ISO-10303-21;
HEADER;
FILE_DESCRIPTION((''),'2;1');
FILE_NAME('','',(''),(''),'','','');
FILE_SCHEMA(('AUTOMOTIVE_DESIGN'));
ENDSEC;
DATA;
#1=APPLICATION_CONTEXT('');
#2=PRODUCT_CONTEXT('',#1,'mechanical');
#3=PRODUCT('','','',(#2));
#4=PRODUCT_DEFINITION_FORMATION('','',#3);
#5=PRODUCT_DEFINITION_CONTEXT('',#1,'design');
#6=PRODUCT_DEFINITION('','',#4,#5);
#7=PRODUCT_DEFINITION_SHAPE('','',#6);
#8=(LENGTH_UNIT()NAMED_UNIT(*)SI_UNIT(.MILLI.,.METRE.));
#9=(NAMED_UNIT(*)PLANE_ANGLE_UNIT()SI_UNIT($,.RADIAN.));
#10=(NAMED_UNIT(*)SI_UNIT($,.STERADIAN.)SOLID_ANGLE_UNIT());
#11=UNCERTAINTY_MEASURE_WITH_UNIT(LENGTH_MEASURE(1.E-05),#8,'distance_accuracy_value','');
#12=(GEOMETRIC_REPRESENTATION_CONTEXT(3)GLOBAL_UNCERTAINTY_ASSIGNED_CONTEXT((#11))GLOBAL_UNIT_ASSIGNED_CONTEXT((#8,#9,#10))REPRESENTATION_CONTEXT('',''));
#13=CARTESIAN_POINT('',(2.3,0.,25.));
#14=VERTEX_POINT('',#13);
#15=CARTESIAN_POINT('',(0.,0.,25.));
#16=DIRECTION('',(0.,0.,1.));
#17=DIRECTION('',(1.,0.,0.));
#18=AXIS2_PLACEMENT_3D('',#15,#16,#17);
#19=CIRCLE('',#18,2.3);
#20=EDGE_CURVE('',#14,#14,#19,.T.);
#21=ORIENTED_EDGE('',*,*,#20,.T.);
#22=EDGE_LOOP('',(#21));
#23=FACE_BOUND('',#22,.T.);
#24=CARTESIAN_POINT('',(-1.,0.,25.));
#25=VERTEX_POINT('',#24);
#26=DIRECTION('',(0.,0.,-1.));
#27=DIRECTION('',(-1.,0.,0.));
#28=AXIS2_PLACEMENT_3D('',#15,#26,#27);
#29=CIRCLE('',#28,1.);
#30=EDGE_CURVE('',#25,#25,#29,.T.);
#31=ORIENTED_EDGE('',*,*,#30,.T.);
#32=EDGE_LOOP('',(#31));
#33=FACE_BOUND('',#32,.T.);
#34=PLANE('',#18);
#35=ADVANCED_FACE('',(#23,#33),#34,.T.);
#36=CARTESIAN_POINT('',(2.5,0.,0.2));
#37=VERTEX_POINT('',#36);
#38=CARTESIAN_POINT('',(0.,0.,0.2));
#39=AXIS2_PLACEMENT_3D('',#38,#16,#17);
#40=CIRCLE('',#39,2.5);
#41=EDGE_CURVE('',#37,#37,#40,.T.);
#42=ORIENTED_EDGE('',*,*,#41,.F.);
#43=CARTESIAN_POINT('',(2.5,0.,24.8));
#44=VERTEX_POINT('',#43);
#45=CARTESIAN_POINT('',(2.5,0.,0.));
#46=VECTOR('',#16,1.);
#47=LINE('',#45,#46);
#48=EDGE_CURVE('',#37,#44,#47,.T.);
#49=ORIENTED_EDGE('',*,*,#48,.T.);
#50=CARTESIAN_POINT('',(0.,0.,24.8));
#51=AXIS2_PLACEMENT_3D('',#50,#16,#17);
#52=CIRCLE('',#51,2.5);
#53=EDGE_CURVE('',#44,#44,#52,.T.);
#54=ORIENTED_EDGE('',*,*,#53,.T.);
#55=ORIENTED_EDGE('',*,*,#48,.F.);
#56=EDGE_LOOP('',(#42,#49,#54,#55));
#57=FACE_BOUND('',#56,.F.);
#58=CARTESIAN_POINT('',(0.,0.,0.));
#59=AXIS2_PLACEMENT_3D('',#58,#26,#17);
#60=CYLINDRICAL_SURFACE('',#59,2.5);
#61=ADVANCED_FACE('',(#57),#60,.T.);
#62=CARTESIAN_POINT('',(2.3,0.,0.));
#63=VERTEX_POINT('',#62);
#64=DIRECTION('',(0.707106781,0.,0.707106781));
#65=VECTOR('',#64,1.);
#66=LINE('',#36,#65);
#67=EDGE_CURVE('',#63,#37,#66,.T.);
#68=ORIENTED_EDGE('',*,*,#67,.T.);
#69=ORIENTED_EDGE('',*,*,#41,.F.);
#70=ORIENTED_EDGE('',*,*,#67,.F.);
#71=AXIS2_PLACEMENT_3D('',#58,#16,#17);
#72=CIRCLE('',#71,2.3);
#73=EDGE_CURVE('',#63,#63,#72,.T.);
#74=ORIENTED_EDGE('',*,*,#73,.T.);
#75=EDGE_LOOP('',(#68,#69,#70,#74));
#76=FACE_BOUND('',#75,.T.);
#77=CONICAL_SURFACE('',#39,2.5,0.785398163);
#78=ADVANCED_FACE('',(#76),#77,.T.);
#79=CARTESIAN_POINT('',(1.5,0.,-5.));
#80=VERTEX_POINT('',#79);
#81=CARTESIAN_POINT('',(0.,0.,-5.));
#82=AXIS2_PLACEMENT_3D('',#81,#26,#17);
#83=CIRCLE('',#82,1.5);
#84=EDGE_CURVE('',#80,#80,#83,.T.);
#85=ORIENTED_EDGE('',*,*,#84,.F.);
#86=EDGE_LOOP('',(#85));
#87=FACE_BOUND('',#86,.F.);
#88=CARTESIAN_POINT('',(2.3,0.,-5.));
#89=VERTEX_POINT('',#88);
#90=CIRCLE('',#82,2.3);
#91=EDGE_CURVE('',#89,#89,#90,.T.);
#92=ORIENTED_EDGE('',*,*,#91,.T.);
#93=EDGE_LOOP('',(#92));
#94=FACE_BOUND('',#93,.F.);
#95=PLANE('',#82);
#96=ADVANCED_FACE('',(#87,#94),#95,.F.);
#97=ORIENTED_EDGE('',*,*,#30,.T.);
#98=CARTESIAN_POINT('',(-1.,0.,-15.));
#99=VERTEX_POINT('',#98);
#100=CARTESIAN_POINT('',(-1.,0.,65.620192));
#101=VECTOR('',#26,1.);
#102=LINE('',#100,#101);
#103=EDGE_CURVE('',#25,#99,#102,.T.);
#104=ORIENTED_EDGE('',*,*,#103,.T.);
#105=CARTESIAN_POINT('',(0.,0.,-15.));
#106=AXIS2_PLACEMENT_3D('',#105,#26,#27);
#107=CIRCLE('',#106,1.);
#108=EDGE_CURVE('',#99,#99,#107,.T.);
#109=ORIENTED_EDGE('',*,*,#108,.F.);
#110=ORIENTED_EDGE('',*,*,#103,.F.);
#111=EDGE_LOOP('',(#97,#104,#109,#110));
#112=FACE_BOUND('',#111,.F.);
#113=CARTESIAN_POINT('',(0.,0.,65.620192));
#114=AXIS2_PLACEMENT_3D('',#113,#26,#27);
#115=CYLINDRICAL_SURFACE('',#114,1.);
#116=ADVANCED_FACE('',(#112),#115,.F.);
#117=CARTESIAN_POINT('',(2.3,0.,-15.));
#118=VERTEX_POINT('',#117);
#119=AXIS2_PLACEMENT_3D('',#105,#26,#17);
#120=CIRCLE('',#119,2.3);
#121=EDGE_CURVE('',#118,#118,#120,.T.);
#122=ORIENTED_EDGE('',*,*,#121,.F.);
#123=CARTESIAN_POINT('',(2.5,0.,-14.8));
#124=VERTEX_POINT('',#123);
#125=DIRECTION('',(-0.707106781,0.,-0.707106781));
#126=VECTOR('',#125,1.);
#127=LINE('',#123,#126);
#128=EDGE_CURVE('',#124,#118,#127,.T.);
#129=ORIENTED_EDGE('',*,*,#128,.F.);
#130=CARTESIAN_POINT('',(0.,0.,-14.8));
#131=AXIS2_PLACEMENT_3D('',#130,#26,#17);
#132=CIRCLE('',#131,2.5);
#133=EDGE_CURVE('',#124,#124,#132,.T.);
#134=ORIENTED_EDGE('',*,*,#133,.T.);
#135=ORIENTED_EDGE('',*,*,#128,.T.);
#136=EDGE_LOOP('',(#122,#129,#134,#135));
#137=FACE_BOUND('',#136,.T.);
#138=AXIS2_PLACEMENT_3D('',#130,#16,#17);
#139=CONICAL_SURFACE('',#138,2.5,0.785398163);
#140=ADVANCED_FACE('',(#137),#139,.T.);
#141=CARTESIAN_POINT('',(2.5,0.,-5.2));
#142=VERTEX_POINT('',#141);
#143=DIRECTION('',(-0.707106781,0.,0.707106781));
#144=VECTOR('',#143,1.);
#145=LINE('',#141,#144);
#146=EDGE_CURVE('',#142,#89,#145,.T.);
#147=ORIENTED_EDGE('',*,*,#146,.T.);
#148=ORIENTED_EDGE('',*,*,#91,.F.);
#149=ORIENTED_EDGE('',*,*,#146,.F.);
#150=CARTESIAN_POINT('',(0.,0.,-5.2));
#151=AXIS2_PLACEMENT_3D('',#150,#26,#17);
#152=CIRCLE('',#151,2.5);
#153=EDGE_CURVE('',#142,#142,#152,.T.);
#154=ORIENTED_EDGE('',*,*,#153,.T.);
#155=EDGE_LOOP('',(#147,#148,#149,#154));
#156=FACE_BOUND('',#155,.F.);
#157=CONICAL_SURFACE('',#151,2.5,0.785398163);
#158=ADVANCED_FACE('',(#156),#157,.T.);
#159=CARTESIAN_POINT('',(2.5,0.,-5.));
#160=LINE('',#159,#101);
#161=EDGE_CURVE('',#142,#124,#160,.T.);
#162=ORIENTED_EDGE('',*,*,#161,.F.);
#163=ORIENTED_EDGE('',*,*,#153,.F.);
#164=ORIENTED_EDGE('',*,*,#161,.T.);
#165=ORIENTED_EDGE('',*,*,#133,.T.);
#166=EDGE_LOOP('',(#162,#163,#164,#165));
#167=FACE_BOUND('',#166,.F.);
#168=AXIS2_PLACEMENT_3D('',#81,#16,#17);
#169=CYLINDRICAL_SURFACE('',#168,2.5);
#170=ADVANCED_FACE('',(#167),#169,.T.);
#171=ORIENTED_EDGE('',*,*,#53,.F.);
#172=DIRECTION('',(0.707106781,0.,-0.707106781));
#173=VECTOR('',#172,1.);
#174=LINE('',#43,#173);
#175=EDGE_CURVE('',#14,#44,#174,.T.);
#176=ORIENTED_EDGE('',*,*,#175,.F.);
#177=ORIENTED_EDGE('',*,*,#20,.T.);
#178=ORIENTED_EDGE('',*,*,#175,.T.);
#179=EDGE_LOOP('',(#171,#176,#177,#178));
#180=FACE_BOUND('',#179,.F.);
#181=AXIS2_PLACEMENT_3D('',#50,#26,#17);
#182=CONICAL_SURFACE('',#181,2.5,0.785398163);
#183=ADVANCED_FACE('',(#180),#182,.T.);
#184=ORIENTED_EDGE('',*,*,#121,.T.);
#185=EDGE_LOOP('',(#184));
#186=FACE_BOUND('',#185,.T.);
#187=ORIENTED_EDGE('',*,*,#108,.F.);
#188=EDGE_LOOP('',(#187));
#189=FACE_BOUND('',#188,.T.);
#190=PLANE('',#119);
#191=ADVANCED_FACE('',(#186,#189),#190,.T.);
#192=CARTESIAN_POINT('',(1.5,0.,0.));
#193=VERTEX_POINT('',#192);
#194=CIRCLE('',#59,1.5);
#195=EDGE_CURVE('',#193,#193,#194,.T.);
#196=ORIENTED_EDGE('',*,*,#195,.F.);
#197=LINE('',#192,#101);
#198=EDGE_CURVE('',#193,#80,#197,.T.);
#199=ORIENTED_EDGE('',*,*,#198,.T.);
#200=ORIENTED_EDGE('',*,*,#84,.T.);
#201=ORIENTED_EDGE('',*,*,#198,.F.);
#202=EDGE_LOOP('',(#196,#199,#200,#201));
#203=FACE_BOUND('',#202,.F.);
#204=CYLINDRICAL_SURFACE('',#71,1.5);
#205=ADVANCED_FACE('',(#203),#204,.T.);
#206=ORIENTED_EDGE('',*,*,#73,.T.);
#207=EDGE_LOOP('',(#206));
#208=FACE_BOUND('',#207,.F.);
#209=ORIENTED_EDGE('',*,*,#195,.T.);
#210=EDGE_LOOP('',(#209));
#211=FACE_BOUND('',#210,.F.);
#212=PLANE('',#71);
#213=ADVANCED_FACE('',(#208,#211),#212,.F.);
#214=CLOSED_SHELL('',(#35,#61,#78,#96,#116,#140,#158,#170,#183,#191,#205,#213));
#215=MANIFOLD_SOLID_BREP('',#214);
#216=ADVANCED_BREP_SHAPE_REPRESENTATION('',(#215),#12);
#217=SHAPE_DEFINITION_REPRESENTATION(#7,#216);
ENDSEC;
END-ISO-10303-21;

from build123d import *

# Parameters (mm, degrees)
F0_R     = 2.5
F1_DEPTH = 25
F2_R     = 1.5
F3_DEPTH = 5
F4_R     = 2.5
F4_R_2   = 1.5
F5_DEPTH = 10
F7_D     = 2
F8_SIZE  = 0.2


with BuildPart() as f1:
    # F0 (on Top) → F1 (new body)
    with BuildSketch(Plane.XY):
        Circle(F0_R)
    extrude(amount=F1_DEPTH)

    # F2 (on face) → F3 (join)
    with BuildSketch(Plane(origin=(0, 0, 0), x_dir=(1, 0, 0), z_dir=(0, 0, -1))):
        Circle(F2_R)
    extrude(amount=F3_DEPTH)

    # F4 (on face) → F5 (join)
    with BuildSketch(Plane(origin=(0, 0, -5), x_dir=(1, 0, 0), z_dir=(0, 0, -1))):
        Circle(F4_R)
        Circle(F4_R_2, mode=Mode.SUBTRACT)
        Circle(F4_R_2)
    extrude(amount=F5_DEPTH)

    # F7 (through all)
    with Locations(Plane.XY.offset(25)):
        with Locations((0, 0)):
            Hole(F7_D / 2)

    # F8
    f8_edges = [f1.edges().sort_by_distance(p)[0] for p in [
        (-2.5, 0, 25),
        (-2.5, 0, -5),
        (-2.5, 0, -15),
        (-2.5, 0, 0),
    ]]
    chamfer(f8_edges, length=F8_SIZE)


solid = f1.part
